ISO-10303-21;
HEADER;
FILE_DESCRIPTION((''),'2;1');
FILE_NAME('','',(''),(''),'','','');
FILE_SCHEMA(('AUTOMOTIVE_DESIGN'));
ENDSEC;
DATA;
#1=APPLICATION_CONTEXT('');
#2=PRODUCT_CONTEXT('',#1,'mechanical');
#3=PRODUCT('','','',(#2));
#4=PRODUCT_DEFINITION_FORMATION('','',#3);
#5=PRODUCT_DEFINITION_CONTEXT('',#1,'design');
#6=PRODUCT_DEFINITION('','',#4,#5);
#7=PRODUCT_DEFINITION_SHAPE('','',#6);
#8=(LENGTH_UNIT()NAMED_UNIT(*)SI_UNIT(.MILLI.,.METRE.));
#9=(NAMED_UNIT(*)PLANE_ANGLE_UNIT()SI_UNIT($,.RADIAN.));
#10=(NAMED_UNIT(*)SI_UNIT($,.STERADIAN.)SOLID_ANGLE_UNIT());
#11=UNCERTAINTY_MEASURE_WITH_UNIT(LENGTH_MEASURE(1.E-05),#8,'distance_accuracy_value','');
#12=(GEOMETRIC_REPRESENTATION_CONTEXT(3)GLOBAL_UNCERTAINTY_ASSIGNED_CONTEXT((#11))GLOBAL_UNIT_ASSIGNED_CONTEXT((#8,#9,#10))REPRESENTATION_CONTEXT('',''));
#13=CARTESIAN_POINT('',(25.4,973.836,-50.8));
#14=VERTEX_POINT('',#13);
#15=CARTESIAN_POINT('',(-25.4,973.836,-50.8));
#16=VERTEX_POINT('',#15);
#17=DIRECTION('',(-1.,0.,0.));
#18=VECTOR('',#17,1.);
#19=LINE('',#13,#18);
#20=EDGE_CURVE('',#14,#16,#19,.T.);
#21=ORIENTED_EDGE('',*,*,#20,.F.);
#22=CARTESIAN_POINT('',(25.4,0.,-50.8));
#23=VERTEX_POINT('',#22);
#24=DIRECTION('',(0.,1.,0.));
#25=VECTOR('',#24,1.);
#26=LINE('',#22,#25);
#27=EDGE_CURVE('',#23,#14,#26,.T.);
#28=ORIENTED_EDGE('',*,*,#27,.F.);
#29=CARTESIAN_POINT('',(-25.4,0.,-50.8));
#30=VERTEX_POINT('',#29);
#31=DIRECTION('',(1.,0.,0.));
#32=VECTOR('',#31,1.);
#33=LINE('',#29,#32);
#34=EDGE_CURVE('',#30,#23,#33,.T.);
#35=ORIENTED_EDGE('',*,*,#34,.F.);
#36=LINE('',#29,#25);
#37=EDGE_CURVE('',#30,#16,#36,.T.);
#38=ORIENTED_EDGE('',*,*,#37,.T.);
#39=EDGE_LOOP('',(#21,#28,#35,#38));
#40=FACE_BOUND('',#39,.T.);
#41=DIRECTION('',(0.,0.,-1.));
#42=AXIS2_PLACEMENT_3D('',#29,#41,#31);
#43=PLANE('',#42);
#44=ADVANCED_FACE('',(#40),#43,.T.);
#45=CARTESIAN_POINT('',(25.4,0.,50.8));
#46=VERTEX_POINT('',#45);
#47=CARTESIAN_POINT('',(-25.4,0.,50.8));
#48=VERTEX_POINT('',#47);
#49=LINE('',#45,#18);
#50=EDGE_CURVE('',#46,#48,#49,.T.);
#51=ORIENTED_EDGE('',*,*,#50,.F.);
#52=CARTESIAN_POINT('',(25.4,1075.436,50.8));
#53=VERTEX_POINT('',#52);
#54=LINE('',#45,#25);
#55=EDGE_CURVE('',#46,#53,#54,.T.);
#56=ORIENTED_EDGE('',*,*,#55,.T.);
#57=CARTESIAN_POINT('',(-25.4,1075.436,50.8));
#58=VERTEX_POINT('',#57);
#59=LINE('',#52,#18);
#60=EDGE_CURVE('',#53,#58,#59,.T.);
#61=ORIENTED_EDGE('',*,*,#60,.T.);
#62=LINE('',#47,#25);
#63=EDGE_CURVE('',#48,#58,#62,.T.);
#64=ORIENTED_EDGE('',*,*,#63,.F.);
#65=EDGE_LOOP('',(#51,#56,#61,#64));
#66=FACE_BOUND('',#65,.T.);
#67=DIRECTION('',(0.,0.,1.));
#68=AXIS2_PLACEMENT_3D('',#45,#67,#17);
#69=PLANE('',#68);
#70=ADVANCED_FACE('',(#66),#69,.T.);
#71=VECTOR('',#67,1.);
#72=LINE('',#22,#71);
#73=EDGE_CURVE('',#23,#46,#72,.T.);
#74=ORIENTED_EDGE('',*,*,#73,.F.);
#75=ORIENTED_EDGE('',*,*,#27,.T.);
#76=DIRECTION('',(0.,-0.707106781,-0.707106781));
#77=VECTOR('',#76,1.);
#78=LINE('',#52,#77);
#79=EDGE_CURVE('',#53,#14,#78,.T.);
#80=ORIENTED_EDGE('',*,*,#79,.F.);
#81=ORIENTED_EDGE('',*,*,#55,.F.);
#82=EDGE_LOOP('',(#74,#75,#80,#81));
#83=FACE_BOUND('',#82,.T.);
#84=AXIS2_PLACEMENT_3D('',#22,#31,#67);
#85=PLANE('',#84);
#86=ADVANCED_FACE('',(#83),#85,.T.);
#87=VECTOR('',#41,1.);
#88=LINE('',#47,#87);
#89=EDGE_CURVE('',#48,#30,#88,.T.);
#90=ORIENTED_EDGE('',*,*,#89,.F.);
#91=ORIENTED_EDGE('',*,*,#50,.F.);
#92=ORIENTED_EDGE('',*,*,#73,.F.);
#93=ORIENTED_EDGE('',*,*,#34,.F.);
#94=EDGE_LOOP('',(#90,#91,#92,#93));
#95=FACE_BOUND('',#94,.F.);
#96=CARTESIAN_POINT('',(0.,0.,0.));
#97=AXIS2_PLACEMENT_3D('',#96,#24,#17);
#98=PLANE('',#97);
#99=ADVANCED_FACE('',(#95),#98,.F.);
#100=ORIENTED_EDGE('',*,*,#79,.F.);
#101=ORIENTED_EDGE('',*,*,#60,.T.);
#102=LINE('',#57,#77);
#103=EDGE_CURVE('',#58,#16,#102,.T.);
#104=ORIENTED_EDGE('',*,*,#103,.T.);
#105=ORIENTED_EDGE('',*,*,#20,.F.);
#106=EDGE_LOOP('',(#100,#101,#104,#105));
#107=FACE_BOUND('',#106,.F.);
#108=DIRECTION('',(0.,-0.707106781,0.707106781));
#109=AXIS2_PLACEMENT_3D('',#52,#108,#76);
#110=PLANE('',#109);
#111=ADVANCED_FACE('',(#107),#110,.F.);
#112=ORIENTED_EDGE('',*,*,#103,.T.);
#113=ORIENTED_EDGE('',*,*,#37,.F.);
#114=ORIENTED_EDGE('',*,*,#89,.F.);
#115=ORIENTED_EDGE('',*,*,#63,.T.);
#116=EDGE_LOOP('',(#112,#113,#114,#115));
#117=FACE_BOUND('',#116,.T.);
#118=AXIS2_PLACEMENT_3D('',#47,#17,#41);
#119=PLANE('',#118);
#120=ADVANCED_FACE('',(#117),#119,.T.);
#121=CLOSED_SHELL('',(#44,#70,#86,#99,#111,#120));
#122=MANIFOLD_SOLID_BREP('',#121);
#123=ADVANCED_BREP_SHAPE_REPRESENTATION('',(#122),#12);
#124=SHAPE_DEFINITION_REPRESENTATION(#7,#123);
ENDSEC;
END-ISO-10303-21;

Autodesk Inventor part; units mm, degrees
ref_plane "YZ Plane" through (0, 0, 0) normal (1, 0, 0) x (0, 1, 0)
ref_plane "XZ Plane" through (0, 0, 0) normal (0, 1, 0) x (-1, 0, 0)
ref_plane "XY Plane" through (0, 0, 0) normal (0, 0, 1) x (1, 0, 0)
sketch "Sketch1" plane through (0, 0, 0) normal (0, 1, 0) x (-1, 0, 0)
  line L0 (-25.4, 50.8) -> (25.4, 50.8)
  line L1 (25.4, 50.8) -> (25.4, -50.8)
  line L2 (25.4, -50.8) -> (-25.4, -50.8)
  line L3 (-25.4, -50.8) -> (-25.4, 50.8)
  line L4 (-25.4, 50.8) -> (25.4, -50.8) construction
  line L5 (25.4, 50.8) -> (-25.4, -50.8) construction
  point P0 (0, 0)
  dimension "d0" = 50.8
  dimension "d1" = 101.6
extrude "Extrusion1" add sketch "Sketch1" along normal blind 1075.436
sketch "Sketch2" plane through (25.4, 0, 50.8) normal (1, 0, 0) x (0, 0, -1)
  line L0 (101.6, 1075.436) -> (0, 1075.436) projected
  line L1 (0, 1075.436) -> (101.6, 973.836)
  line L2 (101.6, 0) -> (101.6, 1075.436) projected
  point P0 (50.8, 0)
  dimension "d4" = 45
extrude "Extrusion2" cut sketch "Sketch2" against normal blind 50.8
properties part number "2x4x42.34 (45 90)" material "Wood (Birch)"
